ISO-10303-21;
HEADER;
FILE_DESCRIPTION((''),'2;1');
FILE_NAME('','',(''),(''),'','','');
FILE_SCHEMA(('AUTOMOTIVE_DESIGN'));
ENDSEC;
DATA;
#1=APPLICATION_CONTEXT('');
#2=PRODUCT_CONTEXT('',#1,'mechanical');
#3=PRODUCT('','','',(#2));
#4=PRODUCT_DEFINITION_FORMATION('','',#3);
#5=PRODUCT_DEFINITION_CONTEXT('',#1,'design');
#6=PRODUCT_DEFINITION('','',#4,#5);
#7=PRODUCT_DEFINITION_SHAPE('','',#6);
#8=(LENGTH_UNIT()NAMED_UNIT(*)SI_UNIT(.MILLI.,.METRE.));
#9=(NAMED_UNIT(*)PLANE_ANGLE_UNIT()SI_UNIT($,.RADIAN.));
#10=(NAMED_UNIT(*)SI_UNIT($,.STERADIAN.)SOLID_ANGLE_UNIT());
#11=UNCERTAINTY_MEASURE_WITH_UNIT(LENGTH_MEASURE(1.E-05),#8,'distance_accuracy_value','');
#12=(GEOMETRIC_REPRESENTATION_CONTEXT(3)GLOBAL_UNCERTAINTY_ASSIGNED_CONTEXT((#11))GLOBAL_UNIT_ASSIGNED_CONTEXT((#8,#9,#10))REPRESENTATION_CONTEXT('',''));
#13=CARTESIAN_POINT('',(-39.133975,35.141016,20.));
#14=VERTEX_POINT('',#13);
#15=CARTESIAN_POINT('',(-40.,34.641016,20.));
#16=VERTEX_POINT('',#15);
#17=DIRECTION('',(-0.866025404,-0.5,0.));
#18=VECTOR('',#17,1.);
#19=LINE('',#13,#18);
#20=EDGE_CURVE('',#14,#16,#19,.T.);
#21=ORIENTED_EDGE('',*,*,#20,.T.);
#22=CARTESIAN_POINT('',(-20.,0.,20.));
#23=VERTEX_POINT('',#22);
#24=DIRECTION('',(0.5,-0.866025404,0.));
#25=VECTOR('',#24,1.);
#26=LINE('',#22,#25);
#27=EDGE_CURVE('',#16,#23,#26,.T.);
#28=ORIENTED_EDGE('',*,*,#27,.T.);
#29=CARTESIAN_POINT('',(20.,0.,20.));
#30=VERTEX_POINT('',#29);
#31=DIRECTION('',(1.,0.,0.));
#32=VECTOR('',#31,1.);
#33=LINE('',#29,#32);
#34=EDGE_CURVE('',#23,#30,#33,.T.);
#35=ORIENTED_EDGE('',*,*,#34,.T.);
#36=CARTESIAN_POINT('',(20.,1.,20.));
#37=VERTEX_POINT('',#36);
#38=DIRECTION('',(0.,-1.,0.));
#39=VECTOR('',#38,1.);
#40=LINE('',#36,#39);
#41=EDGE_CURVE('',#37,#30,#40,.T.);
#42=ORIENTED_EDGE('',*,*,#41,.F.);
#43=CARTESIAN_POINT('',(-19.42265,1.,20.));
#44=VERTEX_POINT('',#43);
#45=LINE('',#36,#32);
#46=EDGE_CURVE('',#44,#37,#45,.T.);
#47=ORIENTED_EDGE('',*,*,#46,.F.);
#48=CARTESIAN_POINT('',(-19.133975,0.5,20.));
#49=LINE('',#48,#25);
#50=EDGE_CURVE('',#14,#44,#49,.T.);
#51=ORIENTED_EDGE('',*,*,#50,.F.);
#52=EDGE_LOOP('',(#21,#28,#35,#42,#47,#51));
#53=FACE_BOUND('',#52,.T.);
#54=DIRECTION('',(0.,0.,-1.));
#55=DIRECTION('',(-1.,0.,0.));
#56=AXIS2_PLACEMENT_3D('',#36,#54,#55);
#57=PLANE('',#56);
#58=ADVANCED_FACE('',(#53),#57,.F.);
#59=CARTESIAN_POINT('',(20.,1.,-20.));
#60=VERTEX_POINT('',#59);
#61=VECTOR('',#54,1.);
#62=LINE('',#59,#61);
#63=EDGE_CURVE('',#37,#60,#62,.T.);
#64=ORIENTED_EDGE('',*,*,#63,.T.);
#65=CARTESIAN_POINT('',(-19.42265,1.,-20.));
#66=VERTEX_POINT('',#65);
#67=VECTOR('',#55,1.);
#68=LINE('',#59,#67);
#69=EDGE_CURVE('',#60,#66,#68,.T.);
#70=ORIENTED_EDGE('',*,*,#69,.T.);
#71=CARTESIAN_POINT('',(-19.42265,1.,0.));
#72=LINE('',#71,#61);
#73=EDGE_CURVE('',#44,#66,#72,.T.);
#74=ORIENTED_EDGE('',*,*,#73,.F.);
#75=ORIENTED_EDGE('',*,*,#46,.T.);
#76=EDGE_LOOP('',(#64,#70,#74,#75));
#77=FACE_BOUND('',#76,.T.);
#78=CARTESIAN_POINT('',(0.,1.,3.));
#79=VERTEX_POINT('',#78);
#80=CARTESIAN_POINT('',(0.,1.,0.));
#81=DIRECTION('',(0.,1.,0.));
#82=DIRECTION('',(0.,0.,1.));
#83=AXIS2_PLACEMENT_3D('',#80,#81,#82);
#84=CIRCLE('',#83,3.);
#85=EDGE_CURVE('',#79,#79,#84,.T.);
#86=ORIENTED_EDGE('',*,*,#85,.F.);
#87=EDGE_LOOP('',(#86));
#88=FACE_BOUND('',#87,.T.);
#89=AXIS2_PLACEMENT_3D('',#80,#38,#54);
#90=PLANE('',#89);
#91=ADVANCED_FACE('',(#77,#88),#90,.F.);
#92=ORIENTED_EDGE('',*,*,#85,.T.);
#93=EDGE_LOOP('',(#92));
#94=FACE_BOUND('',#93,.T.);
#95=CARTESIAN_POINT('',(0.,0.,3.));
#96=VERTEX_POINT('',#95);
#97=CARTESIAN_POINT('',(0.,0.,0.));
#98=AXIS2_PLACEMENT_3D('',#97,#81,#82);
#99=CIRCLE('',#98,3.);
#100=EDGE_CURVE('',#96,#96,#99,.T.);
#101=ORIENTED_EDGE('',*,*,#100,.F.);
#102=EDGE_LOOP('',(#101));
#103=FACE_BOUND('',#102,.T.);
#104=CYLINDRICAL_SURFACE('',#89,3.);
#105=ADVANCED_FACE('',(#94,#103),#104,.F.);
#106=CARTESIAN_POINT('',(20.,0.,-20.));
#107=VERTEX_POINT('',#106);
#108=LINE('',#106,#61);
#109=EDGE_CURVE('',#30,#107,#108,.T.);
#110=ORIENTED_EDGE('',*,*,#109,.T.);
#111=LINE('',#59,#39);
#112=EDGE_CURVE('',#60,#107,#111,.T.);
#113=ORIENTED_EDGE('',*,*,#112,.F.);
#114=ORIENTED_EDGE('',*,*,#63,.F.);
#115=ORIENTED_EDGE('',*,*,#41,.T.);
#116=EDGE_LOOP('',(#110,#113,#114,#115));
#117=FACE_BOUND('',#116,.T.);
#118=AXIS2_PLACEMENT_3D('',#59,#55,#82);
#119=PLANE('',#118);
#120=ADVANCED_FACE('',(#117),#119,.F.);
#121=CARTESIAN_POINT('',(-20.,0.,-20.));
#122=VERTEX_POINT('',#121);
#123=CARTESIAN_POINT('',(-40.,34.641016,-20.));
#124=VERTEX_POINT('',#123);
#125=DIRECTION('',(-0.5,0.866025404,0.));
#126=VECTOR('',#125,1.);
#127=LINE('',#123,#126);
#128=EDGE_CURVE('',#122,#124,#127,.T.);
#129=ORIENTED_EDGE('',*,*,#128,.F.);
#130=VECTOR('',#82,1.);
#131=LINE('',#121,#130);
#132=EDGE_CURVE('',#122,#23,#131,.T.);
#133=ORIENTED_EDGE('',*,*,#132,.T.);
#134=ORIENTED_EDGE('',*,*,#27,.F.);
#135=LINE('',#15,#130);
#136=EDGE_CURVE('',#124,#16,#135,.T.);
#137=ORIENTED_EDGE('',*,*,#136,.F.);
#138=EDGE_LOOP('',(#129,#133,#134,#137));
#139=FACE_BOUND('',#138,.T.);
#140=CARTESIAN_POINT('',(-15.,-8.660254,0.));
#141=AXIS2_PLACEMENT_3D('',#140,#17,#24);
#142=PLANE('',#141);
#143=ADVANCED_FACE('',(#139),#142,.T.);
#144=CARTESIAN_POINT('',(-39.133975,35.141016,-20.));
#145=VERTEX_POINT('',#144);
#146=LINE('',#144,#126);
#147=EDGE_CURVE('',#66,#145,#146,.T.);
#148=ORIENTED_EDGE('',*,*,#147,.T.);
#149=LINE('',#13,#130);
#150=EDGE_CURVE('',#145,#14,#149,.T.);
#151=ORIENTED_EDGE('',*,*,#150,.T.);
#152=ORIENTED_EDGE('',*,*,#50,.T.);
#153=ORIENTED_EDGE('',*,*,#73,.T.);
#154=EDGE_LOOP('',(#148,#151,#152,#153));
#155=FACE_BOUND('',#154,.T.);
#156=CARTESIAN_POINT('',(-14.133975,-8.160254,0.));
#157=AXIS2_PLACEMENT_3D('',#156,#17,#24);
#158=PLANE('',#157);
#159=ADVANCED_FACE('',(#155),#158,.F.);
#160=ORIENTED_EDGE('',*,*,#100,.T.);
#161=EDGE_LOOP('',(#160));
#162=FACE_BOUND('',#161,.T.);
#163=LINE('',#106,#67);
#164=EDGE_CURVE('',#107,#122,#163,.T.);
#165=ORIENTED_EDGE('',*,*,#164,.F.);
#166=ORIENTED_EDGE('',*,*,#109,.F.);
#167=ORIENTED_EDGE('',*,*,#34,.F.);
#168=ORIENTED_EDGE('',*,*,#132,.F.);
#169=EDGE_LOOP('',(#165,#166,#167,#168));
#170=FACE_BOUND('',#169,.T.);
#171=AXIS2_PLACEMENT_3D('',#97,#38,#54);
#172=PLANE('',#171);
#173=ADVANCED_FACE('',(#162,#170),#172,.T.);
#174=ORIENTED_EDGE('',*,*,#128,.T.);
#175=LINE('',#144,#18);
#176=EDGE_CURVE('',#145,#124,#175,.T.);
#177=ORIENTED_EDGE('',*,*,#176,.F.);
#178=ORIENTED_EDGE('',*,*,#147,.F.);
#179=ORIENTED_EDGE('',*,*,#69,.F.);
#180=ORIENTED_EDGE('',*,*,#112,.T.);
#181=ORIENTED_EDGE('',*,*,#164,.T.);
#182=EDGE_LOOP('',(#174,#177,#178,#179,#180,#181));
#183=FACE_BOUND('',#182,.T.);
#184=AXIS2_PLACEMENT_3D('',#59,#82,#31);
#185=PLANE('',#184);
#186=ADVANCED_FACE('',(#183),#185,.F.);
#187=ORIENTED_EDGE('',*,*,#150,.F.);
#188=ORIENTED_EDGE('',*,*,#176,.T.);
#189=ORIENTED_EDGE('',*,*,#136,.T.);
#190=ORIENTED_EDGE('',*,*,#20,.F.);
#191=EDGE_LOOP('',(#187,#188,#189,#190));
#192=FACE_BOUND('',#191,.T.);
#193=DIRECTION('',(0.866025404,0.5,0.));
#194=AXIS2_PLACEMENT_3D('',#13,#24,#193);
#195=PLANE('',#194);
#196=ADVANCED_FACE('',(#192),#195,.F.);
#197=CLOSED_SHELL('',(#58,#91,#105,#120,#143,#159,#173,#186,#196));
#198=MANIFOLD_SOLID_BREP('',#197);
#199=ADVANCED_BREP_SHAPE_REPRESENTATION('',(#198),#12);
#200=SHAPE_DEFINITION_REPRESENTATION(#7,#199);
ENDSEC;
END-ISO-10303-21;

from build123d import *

# Parameters (mm, degrees)
SKETCH_1_W      = 40
SKETCH_1_H      = 40
SKETCH_1_R      = 3
EXTRUDE_3_DEPTH = 1
SKETCH_3_W      = 40
SKETCH_3_H      = 40
EXTRUDE_5_DEPTH = 1


with BuildPart() as part:
    # 草图1 → 凸台-拉伸3 (new body)
    with BuildSketch(Plane(origin=(0, 0, 0), x_dir=(1, 0, 0), z_dir=(0, 1, 0))):
        Rectangle(SKETCH_1_W, SKETCH_1_H)
        with Locations(Location((0, 0, 0), (0, 0, 270))):
            Circle(SKETCH_1_R, mode=Mode.SUBTRACT)
    extrude(amount=EXTRUDE_3_DEPTH)

    # 草图3 → 凸台-拉伸5 (add)
    with BuildSketch(Plane(origin=(-15, -8.660254038, 0), x_dir=(0, 0, 1), z_dir=(0.8660254037844346, 0.5000000000000071, 0))):
        with Locations((0, -30)):
            Rectangle(SKETCH_3_W, SKETCH_3_H)
    extrude(amount=EXTRUDE_5_DEPTH)


solid = part.part
